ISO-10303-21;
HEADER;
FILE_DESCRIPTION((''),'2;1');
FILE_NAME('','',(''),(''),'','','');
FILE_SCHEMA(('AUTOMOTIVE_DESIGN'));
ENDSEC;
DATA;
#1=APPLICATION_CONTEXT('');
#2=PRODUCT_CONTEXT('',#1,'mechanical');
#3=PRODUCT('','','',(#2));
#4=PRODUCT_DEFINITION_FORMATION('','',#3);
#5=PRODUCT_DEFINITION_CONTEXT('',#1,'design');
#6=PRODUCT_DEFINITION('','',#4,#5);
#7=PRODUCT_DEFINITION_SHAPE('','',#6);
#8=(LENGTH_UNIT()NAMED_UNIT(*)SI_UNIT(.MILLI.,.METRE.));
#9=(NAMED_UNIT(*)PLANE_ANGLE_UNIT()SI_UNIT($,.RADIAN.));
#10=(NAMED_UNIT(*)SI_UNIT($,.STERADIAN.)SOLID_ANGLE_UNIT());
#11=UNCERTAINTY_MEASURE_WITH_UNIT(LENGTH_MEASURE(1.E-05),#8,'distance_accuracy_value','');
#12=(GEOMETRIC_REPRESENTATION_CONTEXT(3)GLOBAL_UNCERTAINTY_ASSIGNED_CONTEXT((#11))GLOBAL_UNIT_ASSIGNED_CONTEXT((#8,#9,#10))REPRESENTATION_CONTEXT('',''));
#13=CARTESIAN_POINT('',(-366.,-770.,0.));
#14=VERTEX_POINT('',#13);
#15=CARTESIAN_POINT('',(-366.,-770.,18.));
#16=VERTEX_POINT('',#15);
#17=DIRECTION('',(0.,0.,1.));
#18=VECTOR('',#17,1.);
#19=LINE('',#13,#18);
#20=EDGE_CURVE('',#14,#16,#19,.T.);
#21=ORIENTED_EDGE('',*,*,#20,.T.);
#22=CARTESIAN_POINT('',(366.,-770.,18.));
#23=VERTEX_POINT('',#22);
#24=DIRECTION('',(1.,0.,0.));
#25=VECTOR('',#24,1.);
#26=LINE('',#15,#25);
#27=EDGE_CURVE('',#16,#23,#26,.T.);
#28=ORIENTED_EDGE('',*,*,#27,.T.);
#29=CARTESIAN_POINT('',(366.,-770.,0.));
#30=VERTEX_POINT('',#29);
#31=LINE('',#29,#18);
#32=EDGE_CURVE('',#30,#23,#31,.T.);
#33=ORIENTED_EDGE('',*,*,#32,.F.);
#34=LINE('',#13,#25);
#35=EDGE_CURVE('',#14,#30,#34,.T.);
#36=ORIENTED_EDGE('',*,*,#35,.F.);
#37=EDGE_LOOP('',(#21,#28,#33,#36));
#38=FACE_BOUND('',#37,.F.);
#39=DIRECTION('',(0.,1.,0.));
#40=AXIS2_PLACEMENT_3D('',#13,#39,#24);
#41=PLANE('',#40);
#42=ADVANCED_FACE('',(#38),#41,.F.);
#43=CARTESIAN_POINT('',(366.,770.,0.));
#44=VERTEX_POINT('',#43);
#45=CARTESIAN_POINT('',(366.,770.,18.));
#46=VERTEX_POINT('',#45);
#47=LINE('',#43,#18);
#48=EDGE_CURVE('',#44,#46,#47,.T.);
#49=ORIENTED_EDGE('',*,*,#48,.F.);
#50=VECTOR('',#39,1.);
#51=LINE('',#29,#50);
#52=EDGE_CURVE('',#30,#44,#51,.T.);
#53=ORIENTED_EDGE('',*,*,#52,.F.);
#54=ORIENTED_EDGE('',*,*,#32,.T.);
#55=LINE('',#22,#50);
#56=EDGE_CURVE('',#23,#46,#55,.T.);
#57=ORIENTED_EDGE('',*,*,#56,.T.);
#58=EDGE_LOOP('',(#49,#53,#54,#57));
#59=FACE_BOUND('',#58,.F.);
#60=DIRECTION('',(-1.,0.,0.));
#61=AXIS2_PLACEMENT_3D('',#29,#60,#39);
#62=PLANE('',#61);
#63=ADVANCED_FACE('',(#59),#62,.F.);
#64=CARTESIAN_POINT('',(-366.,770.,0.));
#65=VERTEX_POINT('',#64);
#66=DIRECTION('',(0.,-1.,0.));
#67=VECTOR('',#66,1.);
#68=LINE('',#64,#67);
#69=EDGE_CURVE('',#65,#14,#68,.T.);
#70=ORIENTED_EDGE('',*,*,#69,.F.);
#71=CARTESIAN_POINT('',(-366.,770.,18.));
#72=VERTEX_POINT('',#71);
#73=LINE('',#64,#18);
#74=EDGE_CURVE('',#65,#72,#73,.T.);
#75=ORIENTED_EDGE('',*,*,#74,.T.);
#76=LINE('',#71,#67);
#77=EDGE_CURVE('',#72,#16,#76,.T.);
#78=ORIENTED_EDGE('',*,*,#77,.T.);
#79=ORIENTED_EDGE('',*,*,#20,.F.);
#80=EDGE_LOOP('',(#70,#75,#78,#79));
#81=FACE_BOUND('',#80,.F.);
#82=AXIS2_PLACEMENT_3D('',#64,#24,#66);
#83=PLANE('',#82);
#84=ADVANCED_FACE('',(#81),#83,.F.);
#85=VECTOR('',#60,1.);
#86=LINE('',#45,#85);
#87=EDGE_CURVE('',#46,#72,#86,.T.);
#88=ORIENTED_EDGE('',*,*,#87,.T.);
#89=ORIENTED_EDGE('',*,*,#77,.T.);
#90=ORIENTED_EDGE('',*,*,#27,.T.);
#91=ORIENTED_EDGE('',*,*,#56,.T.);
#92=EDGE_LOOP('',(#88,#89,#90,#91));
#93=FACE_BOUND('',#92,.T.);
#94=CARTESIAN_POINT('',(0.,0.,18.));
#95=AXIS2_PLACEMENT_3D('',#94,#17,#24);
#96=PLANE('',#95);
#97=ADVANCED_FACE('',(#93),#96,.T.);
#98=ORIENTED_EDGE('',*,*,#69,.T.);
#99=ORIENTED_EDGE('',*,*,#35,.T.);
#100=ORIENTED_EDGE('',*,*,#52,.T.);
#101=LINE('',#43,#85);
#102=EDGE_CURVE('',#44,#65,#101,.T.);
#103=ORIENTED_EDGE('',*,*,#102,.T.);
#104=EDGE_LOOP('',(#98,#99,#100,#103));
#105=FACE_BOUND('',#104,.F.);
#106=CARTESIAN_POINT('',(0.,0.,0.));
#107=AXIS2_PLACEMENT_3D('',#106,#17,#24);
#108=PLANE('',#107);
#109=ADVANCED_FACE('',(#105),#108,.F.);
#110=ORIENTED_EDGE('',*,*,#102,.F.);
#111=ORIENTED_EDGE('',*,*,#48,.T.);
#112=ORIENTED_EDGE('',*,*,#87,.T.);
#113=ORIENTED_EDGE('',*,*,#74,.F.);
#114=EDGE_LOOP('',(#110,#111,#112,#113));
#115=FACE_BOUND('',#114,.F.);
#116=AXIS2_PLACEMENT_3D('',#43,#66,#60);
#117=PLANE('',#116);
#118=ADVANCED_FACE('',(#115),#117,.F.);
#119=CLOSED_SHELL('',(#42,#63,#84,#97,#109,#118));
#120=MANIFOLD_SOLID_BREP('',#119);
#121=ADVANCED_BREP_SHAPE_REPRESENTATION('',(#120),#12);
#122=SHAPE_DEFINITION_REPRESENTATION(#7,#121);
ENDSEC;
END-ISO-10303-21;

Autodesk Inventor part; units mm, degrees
ref_plane "YZ Plane" through (0, 0, 0) normal (1, 0, 0) x (0, 1, 0)
ref_plane "XZ Plane" through (0, 0, 0) normal (0, 1, 0) x (-1, 0, 0)
ref_plane "XY Plane" through (0, 0, 0) normal (0, 0, 1) x (1, 0, 0)
sketch "Sketch1" plane through (0, 0, 0) normal (0, 0, 1) x (1, 0, 0)
  line L0 (-366, -770) -> (366, -770)
  line L1 (366, -770) -> (366, 770)
  line L2 (366, 770) -> (-366, 770)
  line L3 (-366, 770) -> (-366, -770)
  line L4 (-366, -770) -> (366, 770) construction
  line L5 (366, -770) -> (-366, 770) construction
  point P0 (0, 0)
  dimension "d0" = 732
  dimension "d1" = 1540
extrude "Extrusion1" add sketch "Sketch1" along normal blind 18
properties part number "bok2"
